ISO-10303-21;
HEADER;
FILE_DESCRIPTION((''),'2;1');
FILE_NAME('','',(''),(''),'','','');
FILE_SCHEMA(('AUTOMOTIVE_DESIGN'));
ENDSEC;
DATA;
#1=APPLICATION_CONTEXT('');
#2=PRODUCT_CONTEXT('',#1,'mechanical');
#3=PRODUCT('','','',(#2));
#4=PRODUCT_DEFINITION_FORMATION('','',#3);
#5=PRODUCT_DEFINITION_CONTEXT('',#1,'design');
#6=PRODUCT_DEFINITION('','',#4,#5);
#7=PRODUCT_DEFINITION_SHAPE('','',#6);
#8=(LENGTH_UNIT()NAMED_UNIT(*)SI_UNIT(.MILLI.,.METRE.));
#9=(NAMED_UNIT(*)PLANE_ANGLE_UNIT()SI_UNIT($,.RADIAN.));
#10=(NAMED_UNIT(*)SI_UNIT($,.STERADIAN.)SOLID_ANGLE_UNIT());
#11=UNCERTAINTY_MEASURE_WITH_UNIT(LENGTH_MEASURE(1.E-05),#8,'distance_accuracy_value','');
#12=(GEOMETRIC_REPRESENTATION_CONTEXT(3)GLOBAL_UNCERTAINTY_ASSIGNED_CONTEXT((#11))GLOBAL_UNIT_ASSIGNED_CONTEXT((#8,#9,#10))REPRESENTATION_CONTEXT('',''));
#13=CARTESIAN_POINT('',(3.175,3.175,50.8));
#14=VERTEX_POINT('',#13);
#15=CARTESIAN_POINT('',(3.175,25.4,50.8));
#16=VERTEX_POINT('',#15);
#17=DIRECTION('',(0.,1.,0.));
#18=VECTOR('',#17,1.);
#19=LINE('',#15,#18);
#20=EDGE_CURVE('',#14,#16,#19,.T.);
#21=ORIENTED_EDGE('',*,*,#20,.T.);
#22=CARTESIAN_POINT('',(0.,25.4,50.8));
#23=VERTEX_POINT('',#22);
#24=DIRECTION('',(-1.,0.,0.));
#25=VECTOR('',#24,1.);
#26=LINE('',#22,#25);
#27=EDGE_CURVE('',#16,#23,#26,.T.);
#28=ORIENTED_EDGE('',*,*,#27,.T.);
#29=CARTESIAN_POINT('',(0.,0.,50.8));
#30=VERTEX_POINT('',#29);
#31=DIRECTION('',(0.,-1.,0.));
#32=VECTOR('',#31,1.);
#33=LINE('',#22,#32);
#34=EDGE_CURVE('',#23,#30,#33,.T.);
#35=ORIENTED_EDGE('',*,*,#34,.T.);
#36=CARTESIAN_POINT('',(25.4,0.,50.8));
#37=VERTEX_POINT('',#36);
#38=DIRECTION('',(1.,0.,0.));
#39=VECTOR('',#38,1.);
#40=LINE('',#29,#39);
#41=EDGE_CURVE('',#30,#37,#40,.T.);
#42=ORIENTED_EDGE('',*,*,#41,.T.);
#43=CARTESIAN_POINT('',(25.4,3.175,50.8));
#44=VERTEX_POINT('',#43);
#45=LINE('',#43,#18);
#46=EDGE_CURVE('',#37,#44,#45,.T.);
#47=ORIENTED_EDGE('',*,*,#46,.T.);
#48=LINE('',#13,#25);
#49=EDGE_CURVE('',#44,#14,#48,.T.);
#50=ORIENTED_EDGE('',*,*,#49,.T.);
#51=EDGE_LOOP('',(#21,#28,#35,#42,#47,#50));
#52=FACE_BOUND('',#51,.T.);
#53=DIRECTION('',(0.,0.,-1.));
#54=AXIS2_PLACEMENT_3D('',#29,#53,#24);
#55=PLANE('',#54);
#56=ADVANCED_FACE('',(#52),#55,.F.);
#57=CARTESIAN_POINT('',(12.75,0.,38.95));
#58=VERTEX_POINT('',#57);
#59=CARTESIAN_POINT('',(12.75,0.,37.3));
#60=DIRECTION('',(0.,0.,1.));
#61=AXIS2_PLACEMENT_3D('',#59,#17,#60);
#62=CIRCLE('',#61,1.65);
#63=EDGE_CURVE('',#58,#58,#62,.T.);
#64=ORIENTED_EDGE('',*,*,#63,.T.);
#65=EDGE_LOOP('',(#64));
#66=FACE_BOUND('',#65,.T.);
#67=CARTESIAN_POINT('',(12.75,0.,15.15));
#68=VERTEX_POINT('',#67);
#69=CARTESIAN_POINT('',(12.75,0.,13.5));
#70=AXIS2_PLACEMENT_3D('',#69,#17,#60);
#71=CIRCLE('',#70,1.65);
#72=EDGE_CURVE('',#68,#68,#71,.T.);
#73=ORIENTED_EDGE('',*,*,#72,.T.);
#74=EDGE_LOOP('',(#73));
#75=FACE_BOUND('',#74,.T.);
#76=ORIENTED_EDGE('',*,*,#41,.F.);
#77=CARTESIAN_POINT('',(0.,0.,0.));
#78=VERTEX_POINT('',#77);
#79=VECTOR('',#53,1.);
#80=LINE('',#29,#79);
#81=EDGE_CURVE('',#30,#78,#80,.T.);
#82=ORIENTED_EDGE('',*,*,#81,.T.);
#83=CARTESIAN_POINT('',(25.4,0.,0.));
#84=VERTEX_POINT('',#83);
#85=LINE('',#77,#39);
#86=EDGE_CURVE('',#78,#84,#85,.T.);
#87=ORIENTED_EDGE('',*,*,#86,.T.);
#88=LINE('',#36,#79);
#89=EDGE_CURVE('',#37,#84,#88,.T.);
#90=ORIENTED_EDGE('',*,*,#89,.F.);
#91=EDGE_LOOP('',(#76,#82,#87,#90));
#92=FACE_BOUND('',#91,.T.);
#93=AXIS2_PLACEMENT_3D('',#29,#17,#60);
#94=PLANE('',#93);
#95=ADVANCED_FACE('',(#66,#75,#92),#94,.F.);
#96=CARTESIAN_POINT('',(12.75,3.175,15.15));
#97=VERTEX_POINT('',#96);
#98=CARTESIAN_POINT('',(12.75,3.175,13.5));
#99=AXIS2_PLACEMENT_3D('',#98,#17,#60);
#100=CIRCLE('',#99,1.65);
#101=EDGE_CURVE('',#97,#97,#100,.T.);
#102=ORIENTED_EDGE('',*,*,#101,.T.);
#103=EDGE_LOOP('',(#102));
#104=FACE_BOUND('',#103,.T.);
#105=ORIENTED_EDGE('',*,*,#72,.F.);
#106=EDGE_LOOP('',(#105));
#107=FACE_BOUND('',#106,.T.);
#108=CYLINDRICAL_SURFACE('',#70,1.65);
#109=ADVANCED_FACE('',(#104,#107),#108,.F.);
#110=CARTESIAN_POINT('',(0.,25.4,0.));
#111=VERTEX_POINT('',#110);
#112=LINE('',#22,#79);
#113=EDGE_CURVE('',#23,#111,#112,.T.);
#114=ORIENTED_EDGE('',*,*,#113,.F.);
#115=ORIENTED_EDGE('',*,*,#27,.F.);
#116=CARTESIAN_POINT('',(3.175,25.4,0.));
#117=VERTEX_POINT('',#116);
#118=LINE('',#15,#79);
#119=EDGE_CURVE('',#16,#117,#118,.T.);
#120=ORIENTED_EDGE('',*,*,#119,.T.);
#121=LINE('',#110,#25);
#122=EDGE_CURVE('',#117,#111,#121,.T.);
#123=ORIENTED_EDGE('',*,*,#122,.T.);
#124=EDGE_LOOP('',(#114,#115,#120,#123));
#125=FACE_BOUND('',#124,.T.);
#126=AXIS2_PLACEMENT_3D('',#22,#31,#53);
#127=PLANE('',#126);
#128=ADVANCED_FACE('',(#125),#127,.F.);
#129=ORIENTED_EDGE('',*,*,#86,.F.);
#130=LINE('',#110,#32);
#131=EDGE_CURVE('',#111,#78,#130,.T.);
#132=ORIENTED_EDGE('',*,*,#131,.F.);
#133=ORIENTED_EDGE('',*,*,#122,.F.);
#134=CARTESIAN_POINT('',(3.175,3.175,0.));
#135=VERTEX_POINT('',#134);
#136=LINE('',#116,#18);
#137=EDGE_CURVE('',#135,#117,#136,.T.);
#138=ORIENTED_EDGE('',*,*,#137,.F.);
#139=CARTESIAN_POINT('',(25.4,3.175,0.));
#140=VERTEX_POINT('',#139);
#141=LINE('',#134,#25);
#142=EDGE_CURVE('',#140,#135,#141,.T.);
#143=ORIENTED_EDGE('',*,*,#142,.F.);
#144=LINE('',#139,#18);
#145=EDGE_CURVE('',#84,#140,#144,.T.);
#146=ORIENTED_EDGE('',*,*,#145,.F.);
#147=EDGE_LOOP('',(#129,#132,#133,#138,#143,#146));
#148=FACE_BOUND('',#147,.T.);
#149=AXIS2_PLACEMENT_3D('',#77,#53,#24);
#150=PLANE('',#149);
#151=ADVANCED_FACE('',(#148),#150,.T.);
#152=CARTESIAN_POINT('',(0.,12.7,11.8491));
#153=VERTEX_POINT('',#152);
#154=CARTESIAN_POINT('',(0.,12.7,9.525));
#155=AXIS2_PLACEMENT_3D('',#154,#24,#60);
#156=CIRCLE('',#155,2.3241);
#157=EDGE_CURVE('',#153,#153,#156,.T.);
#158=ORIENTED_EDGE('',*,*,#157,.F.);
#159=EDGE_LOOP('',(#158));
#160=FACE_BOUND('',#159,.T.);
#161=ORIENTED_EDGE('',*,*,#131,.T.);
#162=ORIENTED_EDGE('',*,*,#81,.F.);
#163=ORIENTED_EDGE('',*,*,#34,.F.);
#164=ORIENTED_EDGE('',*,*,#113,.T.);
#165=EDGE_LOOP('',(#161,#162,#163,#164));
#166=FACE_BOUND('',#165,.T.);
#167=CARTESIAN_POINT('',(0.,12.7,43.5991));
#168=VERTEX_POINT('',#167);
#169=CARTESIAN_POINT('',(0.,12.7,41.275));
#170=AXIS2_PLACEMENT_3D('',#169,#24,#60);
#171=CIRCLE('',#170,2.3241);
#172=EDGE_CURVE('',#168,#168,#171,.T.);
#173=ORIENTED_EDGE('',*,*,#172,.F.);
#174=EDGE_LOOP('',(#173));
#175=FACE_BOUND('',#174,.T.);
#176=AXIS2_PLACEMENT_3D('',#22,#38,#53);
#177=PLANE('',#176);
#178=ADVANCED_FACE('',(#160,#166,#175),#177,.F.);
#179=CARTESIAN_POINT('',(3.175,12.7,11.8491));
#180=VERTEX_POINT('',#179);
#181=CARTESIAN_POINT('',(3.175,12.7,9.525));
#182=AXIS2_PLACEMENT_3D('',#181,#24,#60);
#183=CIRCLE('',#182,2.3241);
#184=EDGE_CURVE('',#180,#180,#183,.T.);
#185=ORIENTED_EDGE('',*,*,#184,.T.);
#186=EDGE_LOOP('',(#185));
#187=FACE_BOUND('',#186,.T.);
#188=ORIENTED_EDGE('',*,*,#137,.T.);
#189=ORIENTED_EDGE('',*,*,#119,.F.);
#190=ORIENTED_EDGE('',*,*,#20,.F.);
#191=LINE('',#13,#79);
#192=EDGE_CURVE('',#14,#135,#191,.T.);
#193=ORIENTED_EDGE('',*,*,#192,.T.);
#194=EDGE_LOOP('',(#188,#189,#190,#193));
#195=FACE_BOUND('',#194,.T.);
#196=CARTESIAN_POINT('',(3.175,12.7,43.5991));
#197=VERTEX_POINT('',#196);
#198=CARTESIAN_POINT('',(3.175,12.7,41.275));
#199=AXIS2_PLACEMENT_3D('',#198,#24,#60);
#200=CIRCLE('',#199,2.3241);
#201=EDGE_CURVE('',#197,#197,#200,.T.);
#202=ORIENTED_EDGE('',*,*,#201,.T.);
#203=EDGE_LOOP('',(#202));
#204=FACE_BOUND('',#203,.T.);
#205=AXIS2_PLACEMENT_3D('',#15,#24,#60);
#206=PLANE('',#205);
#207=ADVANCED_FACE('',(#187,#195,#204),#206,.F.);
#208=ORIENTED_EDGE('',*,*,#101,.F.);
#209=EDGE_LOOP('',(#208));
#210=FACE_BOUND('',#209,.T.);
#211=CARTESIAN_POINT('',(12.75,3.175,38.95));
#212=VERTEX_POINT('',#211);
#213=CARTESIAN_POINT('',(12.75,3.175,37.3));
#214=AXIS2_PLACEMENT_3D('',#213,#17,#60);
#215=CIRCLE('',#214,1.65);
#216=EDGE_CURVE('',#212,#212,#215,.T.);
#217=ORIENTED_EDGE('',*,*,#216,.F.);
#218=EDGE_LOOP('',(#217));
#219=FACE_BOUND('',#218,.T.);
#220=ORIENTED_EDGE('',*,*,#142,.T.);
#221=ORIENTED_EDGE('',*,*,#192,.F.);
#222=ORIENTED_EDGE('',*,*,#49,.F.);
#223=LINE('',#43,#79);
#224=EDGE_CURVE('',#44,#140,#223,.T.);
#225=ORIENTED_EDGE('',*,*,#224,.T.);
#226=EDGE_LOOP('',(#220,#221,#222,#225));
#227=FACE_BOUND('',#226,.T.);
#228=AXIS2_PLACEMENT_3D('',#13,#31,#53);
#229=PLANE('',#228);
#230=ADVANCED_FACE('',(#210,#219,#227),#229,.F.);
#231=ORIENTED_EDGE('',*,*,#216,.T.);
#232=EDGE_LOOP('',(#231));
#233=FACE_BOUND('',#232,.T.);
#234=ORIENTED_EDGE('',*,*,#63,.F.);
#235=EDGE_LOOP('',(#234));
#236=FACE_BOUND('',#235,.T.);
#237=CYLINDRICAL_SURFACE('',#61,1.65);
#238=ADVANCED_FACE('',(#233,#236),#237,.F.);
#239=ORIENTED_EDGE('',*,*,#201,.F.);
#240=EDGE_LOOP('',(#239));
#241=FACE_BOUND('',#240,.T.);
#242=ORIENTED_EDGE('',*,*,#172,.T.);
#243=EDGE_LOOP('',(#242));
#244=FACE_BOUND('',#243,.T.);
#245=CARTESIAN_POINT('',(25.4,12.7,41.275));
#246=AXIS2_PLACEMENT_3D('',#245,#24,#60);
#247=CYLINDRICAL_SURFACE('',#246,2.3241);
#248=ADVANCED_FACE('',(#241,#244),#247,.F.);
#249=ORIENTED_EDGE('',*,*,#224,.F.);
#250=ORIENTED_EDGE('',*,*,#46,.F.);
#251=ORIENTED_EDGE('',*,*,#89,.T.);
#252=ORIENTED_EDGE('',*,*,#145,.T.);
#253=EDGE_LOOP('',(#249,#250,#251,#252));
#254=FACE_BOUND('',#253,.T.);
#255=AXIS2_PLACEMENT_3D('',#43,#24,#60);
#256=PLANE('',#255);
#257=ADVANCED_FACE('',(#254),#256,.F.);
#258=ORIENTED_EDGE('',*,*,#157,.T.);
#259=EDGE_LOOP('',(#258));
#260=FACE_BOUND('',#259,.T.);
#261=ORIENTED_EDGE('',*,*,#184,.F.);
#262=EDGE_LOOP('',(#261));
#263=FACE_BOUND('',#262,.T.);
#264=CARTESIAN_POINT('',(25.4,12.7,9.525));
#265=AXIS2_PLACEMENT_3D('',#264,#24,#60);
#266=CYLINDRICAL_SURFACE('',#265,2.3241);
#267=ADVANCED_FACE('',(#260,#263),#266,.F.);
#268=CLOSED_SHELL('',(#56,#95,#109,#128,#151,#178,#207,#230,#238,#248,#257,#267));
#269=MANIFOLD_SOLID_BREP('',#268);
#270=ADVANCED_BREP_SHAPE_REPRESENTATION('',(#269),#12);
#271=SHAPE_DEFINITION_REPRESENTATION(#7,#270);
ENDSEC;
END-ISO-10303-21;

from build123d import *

# Parameters (mm, degrees)
BOSS_EXTRUDE1_DEPTH = 50.8
SKETCH2_R           = 1.65
CUT_EXTRUDE1_DEPTH  = 61.989758362
SKETCH3_R           = 2.3241
CUT_EXTRUDE2_DEPTH  = 63.217039467


with BuildPart() as part:
    # Sketch1 → Boss-Extrude1 (new body)
    with BuildSketch(Plane.XY):
        Polygon((0, 25.4), (0, 0), (25.4, 0), (25.4, 3.175), (3.175, 3.175), (3.175, 25.4), align=None)
    extrude(amount=BOSS_EXTRUDE1_DEPTH)

    # Sketch2 → Cut-Extrude1 (cut, through all)
    with BuildSketch(Plane(origin=(0, 3.175, 0), x_dir=(1, 0, 0), z_dir=(0, 1, 0))):
        with Locations(Location((12.75, -13.499999988, 0), (0, 0, 270))):
            Circle(SKETCH2_R)
        with Locations(Location((12.75, -37.299999988, 0), (0, 0, 270))):
            Circle(SKETCH2_R)
    extrude(amount=-CUT_EXTRUDE1_DEPTH, mode=Mode.SUBTRACT)

    # Sketch3 → Cut-Extrude2 (cut, through all)
    with BuildSketch(Plane.ZY):
        with Locations((9.525, 12.7)):
            Circle(SKETCH3_R)
        with Locations((41.275, 12.7)):
            Circle(SKETCH3_R)
    extrude(amount=-CUT_EXTRUDE2_DEPTH, mode=Mode.SUBTRACT)


solid = part.part
